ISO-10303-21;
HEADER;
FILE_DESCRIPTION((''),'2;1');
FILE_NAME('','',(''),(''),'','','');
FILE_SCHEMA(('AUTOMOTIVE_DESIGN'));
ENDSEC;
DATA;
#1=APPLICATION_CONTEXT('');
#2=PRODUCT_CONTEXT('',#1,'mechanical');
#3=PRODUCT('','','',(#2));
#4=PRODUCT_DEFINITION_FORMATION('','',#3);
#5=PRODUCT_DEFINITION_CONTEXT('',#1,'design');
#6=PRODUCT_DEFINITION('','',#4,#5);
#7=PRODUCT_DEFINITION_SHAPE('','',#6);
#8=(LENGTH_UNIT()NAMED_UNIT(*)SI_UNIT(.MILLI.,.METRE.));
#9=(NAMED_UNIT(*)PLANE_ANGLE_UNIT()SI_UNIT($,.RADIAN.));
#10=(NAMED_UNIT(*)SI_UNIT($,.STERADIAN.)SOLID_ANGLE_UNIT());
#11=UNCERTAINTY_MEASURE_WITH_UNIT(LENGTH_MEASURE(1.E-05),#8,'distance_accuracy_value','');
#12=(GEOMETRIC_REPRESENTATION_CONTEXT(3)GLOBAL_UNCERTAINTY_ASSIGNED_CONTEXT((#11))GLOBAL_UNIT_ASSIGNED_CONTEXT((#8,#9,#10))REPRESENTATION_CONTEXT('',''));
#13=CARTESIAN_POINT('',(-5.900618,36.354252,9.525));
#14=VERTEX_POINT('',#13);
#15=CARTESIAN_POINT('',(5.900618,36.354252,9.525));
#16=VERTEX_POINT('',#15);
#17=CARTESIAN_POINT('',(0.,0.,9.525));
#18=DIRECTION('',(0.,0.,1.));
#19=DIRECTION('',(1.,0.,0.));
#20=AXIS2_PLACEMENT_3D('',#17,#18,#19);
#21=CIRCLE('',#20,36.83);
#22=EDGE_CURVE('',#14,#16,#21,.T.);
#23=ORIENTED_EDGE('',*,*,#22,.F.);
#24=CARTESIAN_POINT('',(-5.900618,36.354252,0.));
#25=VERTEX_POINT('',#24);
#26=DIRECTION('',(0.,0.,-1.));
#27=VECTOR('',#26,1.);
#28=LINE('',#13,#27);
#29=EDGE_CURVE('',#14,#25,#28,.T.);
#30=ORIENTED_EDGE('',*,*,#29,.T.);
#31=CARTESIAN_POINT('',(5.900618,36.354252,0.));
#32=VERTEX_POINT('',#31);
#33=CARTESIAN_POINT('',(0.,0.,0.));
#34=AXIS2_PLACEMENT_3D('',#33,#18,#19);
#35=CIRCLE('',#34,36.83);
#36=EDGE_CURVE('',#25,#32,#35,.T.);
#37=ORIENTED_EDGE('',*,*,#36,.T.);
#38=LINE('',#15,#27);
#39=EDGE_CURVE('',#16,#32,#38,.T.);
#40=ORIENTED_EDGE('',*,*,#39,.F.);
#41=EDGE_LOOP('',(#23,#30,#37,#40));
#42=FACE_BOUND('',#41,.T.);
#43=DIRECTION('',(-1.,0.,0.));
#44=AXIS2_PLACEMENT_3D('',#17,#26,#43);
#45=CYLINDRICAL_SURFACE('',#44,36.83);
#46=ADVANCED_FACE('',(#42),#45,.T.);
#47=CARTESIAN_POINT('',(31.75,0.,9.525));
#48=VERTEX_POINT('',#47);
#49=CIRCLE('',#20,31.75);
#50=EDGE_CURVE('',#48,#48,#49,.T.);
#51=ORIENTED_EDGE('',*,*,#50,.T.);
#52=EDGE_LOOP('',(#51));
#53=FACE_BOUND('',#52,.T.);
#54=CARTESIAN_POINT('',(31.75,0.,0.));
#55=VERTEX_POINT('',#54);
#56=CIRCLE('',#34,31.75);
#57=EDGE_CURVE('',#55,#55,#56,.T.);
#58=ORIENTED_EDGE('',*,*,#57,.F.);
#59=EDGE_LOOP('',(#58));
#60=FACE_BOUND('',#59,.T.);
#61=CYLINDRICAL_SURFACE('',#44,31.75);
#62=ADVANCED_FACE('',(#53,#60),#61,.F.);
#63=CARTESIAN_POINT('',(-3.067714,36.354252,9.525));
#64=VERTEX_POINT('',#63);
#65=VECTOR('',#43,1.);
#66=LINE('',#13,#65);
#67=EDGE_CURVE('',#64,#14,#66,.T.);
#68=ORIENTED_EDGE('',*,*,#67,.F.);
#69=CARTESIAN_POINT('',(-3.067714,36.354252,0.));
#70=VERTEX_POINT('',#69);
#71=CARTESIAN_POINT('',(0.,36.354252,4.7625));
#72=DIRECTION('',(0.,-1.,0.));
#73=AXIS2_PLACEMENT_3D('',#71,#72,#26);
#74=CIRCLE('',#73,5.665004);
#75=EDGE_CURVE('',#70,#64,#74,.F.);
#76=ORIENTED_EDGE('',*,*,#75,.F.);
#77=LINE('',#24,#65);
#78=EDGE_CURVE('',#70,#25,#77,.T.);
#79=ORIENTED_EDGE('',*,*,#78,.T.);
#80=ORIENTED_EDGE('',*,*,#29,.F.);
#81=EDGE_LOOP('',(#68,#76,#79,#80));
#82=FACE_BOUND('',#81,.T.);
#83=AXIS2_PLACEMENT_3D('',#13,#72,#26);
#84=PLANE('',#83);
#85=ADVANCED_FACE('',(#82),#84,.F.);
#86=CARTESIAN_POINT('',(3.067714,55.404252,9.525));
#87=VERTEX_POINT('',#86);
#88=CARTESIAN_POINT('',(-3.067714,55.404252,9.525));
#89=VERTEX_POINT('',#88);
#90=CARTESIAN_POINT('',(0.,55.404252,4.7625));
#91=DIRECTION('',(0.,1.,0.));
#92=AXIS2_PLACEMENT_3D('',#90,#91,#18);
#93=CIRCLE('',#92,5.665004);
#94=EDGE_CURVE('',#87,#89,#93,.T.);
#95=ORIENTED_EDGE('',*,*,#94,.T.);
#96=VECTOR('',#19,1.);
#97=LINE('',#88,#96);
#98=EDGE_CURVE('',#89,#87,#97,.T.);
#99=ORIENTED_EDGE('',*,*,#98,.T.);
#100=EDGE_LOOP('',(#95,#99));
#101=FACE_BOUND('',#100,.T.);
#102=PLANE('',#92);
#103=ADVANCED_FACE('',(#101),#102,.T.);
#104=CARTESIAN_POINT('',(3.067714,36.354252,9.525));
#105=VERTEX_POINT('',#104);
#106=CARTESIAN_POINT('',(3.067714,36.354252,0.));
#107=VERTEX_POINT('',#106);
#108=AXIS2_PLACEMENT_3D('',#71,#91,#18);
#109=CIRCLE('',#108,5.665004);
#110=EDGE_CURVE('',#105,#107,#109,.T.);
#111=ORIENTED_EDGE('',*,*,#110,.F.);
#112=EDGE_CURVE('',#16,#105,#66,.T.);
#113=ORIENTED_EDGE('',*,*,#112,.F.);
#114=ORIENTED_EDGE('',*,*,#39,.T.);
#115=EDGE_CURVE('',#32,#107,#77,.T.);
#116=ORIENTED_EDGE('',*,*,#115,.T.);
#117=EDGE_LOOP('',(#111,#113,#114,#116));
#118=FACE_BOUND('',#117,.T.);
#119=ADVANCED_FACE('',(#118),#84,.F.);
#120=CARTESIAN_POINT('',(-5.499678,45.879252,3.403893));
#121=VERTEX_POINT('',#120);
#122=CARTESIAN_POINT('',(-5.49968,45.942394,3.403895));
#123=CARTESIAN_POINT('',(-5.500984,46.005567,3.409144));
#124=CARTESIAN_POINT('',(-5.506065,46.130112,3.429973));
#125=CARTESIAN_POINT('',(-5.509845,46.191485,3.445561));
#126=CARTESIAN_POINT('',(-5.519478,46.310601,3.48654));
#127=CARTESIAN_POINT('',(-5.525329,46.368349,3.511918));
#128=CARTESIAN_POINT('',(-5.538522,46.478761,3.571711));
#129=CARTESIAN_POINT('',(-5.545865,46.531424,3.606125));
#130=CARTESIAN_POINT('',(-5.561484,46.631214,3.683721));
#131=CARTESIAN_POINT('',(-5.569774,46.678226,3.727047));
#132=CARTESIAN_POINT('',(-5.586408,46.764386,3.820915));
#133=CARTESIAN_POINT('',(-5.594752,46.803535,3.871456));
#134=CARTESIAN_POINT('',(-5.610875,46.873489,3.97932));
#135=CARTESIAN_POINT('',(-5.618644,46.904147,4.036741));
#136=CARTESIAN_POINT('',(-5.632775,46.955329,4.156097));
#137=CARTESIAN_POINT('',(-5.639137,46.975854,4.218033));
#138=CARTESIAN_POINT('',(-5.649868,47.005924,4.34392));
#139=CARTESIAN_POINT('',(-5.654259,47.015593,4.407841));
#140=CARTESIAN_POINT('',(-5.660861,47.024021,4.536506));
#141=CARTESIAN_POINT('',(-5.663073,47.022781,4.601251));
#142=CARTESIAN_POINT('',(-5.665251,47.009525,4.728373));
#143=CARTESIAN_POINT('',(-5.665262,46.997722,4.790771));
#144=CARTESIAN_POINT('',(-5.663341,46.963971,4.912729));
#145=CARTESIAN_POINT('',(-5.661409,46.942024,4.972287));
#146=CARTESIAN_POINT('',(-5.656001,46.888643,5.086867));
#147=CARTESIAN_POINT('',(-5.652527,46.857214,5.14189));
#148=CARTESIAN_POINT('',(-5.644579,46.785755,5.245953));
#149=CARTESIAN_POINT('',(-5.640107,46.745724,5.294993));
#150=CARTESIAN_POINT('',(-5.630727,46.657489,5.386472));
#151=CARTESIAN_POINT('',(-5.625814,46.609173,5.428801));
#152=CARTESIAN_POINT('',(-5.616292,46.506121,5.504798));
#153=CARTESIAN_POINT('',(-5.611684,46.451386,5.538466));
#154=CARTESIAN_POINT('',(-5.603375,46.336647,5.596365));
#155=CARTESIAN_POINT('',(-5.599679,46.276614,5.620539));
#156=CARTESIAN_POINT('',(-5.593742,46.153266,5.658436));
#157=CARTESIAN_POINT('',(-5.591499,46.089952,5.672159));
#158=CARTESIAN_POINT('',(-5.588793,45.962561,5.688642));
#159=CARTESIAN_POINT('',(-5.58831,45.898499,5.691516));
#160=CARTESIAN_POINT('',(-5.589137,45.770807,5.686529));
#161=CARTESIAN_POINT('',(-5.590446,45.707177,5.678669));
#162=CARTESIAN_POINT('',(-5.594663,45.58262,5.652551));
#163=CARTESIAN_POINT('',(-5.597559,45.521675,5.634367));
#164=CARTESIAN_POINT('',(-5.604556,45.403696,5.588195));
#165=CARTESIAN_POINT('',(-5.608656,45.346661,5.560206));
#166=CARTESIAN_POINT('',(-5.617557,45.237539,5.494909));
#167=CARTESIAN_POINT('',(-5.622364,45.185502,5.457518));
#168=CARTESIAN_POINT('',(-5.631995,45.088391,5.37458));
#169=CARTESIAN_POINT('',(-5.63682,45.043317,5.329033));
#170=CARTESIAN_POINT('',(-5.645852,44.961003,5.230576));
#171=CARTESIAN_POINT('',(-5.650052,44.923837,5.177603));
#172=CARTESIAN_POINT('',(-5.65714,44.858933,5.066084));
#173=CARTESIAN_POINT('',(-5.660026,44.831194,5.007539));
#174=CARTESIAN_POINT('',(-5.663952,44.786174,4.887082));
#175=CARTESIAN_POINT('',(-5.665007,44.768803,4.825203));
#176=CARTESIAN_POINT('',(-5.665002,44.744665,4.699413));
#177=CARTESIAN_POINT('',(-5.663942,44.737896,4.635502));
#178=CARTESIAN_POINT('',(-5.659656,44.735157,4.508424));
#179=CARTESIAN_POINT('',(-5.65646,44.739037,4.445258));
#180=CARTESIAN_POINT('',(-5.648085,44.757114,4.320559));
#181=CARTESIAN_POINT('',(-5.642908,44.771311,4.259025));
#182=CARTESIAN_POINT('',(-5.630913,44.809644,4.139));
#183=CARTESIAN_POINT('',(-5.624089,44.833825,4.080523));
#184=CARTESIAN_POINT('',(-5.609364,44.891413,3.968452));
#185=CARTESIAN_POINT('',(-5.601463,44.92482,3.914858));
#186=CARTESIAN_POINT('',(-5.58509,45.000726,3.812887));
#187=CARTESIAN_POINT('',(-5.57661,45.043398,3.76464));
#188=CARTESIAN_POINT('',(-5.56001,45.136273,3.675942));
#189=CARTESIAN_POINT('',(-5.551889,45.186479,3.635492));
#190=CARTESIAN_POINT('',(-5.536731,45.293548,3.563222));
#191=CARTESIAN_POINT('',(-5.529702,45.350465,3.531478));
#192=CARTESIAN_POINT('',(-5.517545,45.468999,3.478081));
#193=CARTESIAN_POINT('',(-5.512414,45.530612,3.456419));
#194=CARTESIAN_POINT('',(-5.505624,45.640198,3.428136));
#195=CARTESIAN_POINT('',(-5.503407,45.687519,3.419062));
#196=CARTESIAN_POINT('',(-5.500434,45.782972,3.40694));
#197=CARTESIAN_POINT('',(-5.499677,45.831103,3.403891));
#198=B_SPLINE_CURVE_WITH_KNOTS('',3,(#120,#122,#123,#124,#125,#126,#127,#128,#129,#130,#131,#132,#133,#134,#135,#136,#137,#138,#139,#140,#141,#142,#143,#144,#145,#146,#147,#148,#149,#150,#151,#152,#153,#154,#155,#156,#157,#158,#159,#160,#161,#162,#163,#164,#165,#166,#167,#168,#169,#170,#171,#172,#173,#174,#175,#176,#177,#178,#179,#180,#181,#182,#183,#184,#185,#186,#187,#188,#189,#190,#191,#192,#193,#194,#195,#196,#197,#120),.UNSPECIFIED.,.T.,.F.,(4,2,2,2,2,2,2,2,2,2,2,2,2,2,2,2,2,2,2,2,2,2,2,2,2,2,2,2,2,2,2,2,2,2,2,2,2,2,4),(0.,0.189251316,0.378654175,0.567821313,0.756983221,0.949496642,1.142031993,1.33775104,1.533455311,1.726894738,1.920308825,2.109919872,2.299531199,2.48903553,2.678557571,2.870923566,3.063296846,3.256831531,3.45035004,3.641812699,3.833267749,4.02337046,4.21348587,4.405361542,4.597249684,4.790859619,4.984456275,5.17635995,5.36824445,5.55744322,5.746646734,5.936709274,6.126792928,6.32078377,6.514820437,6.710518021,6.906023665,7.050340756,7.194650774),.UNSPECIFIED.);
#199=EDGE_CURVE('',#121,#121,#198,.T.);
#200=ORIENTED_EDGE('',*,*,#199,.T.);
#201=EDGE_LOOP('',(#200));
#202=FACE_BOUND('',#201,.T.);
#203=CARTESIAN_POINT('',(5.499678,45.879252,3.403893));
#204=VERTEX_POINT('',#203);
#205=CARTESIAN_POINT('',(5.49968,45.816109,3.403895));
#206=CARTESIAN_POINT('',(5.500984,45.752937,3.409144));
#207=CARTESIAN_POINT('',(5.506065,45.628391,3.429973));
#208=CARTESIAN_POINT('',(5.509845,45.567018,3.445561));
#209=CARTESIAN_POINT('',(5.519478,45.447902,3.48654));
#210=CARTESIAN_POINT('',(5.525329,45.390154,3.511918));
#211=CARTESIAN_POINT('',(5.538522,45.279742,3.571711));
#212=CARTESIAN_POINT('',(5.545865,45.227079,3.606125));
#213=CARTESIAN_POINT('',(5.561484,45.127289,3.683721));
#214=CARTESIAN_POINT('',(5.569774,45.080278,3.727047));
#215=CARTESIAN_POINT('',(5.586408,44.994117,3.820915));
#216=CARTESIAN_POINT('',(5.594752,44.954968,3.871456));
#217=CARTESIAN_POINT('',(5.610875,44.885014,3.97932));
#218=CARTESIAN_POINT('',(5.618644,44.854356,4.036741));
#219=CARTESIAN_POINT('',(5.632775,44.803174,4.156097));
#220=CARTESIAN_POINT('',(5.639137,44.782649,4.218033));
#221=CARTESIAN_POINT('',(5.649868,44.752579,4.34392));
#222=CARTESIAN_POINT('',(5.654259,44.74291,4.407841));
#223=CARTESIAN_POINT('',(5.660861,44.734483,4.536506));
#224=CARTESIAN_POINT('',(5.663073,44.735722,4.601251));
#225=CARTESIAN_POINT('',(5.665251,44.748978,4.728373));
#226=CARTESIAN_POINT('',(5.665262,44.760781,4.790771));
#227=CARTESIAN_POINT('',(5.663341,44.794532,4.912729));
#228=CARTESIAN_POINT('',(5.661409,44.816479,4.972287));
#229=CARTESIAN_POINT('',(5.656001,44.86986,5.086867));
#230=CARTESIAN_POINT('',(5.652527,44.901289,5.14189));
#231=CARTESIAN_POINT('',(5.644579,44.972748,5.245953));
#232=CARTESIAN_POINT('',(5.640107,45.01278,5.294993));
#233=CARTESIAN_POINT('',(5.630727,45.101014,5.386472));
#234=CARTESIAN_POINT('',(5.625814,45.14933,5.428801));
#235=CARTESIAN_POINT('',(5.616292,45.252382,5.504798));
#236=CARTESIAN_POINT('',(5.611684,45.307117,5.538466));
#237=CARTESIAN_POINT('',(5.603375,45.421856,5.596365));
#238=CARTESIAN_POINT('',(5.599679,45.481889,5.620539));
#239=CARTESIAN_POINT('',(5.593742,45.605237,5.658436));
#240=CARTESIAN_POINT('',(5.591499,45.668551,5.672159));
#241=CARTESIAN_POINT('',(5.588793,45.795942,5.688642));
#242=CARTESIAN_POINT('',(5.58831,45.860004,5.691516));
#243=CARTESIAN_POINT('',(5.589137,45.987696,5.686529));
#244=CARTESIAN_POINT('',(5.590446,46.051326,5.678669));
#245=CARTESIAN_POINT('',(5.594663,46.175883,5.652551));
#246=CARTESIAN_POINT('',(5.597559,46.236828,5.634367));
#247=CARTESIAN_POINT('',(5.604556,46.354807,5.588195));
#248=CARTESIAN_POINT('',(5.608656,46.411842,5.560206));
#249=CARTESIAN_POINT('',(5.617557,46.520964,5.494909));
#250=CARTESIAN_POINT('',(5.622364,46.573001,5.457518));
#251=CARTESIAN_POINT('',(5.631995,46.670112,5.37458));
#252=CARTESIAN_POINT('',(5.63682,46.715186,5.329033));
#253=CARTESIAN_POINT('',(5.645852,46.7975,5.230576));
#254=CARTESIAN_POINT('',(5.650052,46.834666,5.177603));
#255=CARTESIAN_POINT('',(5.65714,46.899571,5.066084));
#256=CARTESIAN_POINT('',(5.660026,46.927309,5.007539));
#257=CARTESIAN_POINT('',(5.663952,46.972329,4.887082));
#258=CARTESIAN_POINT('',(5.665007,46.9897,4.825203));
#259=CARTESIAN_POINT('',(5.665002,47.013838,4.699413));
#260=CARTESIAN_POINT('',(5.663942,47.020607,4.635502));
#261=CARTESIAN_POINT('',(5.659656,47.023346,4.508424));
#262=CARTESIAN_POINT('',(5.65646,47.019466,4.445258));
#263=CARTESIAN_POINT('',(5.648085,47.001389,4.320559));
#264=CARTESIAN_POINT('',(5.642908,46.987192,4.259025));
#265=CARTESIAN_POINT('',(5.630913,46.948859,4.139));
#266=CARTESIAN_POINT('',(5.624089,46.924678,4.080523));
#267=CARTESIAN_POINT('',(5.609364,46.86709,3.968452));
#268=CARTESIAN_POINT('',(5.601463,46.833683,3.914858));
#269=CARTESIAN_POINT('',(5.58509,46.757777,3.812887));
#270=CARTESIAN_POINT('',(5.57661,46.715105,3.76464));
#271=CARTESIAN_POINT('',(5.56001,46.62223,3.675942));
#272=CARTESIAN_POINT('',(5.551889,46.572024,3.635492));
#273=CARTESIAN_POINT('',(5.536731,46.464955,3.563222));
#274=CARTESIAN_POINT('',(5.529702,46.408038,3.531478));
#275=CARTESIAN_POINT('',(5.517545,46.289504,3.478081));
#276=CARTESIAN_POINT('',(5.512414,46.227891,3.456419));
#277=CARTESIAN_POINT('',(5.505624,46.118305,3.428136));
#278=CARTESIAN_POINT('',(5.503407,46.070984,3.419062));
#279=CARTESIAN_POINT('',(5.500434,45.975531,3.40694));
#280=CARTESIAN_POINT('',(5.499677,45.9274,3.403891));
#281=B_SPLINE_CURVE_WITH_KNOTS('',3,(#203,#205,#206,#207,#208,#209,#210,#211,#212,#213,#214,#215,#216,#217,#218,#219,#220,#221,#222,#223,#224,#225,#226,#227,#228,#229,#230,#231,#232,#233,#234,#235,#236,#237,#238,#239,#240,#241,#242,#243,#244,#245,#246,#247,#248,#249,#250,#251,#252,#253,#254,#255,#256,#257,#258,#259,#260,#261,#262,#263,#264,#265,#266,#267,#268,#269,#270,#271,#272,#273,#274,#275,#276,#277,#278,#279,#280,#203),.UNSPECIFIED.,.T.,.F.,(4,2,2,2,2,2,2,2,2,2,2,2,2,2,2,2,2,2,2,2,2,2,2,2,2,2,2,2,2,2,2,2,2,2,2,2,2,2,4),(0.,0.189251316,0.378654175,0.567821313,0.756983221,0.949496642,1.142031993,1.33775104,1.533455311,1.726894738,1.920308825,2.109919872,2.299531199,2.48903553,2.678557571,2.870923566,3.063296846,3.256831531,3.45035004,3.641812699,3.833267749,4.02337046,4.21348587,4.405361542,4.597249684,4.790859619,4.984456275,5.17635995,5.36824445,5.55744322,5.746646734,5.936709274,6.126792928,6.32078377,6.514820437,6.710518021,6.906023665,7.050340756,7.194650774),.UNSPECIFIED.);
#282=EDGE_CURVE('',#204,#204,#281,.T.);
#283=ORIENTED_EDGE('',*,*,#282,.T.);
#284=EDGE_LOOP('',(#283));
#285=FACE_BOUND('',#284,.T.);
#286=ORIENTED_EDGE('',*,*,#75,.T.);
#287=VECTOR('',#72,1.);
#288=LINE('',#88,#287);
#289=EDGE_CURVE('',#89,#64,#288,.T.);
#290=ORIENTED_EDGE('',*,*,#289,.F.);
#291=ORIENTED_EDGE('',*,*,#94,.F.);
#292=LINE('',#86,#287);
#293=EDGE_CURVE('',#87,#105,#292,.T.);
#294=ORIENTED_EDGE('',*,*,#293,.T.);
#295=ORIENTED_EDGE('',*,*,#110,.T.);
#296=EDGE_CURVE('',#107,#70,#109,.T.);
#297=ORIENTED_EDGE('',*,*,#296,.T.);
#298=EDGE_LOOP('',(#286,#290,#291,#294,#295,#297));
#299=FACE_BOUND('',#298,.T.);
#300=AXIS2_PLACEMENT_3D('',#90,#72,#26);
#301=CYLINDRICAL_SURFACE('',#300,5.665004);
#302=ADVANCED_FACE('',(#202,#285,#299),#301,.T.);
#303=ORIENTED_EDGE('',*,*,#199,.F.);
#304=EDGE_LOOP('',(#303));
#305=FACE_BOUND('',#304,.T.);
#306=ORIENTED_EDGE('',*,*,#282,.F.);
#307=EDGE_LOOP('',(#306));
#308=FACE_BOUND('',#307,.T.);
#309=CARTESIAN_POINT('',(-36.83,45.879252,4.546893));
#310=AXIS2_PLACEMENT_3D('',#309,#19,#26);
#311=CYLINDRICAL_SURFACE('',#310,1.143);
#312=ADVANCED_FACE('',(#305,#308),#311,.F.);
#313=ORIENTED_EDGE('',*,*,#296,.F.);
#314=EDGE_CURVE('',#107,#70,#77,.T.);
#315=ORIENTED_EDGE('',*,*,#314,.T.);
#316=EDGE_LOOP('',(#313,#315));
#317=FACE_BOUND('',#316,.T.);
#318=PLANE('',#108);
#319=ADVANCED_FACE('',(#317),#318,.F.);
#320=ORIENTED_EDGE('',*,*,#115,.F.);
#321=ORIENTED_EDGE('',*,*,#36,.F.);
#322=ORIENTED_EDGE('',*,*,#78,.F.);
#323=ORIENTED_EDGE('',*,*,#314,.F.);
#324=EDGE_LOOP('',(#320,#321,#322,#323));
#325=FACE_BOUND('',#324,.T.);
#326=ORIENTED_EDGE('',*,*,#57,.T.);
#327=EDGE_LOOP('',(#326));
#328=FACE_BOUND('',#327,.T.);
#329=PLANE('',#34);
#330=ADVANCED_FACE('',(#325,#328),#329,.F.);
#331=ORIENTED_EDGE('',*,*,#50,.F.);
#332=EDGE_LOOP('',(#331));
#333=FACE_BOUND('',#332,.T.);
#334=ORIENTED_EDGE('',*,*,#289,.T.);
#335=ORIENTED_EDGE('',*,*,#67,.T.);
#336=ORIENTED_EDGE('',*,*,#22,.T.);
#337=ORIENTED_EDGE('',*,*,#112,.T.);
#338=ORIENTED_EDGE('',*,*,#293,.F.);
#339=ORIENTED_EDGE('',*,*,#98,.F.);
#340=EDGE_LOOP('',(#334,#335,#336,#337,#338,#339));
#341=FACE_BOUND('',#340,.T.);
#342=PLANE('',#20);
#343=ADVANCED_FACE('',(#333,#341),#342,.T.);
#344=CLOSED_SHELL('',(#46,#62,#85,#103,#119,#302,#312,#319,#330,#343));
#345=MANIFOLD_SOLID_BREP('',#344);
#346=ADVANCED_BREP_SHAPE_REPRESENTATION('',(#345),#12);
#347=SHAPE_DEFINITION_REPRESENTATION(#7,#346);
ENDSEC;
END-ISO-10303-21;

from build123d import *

# Parameters (mm, degrees)
SKETCH1_R           = 31.75
BOSS_EXTRUDE1_DEPTH = 9.525
BOSS_EXTRUDE2_DEPTH = 19.05
SKETCH3_R           = 1.143
CUT_EXTRUDE1_DEPTH  = 43.730618225
SKETCH4_W           = 11.567255286
SKETCH4_H           = 3.936355762
CUT_EXTRUDE2_DEPTH  = 93.234251534


with BuildPart() as part:
    # Sketch1 → Boss-Extrude1 (new body)
    with BuildSketch(Plane.XY):
        with BuildLine():
            Line((-5.900618225, 36.354251534), (5.900618225, 36.354251534))
            ThreePointArc((5.900618225, 36.354251534), (0, -36.83), (-5.900618225, 36.354251534))
        make_face()
        Circle(SKETCH1_R, mode=Mode.SUBTRACT)
    extrude(amount=BOSS_EXTRUDE1_DEPTH)

    # Sketch2 → Boss-Extrude2 (add)
    with BuildSketch(Plane(origin=(0, 36.354251534, 0), x_dir=(1, 0, 0), z_dir=(0, 1, 0))):
        with BuildLine():
            Line((-3.067713808, -9.525), (3.067713808, -9.525))
            ThreePointArc((3.067713808, -9.525), (0, 0.902504348), (-3.067713808, -9.525))
        make_face()
    extrude(amount=BOSS_EXTRUDE2_DEPTH)

    # Sketch3 → Cut-Extrude1 (cut, through all)
    with BuildSketch(Plane(origin=(5.900618225, 0, 0), x_dir=(0, 0, -1), z_dir=(1, 0, 0))):
        with Locations((-4.546893104, 45.879251534)):
            Circle(SKETCH3_R)
    extrude(amount=-CUT_EXTRUDE1_DEPTH, mode=Mode.SUBTRACT)

    # Sketch4 → Cut-Extrude2 (cut, through all)
    with BuildSketch(Plane(origin=(0, 55.404251534, 0), x_dir=(1, 0, 0), z_dir=(0, 1, 0))):
        with Locations((-0.26002139, -11.608026225)):
            Rectangle(SKETCH4_W, SKETCH4_H)
    extrude(amount=-CUT_EXTRUDE2_DEPTH, mode=Mode.SUBTRACT)


solid = part.part
